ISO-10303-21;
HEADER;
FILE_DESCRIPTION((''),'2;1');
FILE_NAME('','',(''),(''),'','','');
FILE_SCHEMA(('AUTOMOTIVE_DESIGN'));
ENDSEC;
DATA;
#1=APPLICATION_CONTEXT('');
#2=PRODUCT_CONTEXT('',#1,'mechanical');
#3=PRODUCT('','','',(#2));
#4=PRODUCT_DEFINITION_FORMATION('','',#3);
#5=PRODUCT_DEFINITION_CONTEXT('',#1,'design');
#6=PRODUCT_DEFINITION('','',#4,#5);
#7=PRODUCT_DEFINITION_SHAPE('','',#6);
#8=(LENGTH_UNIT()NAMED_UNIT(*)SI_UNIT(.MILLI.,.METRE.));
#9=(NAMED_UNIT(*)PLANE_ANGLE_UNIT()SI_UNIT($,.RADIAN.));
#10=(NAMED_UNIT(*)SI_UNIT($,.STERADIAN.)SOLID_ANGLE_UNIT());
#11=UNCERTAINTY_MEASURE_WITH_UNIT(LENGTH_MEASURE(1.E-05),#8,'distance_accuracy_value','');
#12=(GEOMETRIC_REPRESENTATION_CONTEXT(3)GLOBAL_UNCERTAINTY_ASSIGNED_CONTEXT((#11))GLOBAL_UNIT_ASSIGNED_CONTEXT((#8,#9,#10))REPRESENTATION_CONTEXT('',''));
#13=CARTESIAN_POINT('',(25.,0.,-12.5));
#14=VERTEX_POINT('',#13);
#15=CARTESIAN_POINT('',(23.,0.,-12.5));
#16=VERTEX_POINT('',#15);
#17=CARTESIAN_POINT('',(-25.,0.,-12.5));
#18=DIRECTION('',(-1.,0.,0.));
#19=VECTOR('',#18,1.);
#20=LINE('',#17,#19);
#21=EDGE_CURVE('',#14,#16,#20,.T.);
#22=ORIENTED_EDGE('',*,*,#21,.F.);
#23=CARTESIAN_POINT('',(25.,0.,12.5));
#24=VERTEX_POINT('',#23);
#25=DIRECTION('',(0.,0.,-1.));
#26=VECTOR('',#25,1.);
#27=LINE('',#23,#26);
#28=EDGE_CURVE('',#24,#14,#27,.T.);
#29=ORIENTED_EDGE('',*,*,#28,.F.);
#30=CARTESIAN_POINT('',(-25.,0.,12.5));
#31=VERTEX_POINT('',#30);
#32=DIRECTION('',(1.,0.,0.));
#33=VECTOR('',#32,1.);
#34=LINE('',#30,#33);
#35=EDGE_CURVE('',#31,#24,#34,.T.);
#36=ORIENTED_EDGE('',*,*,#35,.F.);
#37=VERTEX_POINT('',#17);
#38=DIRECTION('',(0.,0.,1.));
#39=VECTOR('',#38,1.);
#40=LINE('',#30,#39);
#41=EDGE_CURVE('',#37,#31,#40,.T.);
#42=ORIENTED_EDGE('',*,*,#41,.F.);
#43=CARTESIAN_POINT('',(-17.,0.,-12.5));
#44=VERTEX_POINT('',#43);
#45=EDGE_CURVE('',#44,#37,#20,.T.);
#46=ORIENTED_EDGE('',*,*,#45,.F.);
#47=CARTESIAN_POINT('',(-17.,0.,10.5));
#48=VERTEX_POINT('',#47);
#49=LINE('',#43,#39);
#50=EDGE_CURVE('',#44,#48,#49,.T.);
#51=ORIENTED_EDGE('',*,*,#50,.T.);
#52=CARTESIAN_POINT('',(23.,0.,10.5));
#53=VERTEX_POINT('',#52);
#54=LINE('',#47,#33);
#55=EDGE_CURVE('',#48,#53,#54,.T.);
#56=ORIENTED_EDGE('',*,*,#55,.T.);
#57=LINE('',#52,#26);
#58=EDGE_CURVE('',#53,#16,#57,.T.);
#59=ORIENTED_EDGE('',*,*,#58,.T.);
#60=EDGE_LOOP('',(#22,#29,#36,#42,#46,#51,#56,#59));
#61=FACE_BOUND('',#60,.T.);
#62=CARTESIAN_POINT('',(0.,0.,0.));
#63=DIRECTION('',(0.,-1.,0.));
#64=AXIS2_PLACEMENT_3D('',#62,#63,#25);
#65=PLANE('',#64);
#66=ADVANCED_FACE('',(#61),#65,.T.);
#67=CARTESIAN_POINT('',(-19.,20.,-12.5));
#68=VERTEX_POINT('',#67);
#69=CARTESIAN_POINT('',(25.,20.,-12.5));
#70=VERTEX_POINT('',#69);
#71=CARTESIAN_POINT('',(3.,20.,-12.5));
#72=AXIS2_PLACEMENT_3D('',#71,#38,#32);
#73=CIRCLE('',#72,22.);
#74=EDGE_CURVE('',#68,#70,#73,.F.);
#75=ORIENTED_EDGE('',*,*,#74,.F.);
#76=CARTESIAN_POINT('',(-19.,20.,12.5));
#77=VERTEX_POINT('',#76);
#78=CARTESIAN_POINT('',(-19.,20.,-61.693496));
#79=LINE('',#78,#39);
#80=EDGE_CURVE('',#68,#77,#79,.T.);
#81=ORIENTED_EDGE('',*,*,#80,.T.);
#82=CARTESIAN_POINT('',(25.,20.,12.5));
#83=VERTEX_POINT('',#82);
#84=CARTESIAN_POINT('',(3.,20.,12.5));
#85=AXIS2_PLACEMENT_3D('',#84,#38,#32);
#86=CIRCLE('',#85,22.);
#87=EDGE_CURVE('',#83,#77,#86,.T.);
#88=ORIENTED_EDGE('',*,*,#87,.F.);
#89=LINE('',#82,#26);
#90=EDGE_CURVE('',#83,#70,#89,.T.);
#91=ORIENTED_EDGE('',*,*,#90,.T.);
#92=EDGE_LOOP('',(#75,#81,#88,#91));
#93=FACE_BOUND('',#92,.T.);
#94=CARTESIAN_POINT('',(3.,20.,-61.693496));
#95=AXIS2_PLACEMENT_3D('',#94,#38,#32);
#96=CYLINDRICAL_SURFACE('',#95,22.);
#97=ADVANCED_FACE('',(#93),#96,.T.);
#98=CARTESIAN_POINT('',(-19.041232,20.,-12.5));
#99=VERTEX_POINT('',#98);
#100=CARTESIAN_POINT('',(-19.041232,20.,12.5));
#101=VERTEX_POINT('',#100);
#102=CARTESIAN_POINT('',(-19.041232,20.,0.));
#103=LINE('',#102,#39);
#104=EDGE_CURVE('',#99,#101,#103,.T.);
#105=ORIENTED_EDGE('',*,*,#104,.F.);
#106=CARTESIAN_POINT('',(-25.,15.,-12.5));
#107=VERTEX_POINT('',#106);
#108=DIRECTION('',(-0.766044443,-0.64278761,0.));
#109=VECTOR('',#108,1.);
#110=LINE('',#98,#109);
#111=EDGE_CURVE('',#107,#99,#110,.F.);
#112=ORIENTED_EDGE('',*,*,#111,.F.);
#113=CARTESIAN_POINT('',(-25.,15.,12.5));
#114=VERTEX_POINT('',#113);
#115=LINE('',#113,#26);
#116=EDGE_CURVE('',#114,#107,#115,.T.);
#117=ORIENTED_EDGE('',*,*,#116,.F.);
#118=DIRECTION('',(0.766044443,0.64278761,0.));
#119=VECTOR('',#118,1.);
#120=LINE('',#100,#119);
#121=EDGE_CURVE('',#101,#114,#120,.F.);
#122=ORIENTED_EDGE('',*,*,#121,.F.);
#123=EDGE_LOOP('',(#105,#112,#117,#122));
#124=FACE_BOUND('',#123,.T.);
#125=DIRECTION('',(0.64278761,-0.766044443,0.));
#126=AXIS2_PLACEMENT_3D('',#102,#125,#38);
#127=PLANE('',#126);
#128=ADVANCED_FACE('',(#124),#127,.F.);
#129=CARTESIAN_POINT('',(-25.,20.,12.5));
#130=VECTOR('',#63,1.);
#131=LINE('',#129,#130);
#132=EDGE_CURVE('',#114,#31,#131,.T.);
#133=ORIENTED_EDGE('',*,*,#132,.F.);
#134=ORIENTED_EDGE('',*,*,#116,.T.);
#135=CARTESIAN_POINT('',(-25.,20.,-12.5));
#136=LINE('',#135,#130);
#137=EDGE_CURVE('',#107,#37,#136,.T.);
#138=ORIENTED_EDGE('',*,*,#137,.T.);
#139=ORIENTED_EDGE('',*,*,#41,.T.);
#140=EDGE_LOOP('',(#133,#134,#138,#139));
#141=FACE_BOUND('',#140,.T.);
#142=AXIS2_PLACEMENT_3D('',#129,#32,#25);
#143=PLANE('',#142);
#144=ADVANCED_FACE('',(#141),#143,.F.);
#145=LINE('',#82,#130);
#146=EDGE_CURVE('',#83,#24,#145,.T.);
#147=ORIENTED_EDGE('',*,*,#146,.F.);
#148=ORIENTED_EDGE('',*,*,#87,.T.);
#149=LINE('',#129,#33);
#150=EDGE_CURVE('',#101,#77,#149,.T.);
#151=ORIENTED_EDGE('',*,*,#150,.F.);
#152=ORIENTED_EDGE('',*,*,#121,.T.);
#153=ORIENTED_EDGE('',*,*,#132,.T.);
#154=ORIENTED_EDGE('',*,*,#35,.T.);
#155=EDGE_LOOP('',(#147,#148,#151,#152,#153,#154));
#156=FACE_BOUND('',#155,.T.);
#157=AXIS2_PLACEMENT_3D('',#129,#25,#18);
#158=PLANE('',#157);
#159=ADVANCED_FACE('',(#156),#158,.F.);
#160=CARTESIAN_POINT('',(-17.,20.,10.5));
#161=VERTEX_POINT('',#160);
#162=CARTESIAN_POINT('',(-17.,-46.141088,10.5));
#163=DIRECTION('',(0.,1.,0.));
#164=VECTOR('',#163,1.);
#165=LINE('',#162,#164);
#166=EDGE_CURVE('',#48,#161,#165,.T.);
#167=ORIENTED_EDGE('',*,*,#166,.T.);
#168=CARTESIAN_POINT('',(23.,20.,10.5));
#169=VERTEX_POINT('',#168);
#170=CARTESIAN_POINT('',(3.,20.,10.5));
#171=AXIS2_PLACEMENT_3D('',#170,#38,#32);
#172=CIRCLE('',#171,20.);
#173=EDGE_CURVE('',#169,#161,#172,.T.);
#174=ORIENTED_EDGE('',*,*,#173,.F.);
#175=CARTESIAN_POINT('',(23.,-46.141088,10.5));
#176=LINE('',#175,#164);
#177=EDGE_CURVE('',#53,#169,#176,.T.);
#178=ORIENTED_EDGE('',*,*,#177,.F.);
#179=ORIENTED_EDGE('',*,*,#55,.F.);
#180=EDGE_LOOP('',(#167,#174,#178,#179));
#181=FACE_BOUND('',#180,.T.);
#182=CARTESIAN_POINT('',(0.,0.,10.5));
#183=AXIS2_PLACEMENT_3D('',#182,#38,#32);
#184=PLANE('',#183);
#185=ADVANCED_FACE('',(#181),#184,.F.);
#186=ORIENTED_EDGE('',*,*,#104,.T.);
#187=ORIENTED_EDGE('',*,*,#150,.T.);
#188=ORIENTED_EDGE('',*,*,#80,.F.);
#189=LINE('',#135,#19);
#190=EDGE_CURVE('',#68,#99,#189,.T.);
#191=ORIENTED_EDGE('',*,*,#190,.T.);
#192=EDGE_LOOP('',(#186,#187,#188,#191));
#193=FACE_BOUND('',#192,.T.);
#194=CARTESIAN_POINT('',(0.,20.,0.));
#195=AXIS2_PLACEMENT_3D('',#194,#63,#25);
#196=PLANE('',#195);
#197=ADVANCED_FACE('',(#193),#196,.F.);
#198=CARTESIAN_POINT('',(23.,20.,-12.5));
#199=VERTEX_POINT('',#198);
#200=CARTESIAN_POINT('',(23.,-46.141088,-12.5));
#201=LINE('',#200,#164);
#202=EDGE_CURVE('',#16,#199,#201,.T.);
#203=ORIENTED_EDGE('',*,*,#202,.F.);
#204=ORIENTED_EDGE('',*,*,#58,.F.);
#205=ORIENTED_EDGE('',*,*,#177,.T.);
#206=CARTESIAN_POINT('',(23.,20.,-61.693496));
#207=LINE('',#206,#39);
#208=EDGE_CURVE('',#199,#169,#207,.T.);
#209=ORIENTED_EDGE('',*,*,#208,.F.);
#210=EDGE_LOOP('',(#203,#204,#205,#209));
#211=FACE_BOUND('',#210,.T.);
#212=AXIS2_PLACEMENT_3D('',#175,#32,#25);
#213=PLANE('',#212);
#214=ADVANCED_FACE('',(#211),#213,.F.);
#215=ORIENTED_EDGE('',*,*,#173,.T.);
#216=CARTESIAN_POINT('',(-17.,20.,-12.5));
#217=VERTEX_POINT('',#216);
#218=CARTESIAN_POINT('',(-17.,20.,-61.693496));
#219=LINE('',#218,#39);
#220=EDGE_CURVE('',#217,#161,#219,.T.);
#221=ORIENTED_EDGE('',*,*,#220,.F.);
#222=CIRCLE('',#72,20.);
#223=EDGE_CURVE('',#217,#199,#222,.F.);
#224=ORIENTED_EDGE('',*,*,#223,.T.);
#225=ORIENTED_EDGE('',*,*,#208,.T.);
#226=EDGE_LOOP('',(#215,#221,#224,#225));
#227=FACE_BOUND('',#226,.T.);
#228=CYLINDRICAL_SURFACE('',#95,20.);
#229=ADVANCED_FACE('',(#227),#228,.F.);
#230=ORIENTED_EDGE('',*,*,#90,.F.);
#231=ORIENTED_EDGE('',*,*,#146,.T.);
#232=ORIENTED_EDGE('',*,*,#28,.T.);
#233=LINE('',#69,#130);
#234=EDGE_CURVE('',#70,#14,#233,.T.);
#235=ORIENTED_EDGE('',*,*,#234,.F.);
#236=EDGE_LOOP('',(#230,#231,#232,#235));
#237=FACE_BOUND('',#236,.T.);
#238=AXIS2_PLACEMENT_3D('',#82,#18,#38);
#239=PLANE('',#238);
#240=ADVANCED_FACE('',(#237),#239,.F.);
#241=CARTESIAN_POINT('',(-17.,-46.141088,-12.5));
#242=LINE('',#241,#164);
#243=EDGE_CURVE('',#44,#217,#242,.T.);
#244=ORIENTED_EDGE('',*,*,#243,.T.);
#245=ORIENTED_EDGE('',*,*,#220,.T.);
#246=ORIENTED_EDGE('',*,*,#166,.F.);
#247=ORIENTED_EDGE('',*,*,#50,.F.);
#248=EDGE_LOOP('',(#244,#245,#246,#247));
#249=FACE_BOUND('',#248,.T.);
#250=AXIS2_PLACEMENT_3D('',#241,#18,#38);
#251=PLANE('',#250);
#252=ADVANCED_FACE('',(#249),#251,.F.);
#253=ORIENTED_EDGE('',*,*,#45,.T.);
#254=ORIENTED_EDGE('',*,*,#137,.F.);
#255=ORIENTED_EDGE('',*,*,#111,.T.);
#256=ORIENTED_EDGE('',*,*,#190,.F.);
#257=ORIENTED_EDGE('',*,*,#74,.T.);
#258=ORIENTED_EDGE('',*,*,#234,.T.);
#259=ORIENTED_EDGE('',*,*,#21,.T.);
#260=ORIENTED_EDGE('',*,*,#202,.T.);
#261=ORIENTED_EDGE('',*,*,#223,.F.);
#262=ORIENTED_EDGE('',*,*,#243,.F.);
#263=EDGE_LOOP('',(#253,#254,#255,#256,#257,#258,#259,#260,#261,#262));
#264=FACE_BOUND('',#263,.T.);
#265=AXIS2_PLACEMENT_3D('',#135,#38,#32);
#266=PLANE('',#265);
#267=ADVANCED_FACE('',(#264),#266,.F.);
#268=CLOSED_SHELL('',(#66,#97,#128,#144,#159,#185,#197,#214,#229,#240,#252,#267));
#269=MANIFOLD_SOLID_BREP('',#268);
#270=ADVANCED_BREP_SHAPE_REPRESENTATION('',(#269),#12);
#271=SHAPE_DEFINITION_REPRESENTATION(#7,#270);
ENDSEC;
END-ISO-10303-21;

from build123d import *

# Parameters (mm, degrees)
CROQUIS1_W              = 50
CROQUIS1_H              = 25
SALIENTE_EXTRUIR1_DEPTH = 20
SALIENTE_EXTRUIR2_DEPTH = 25
SALIENTE_EXTRUIR3_DEPTH = 2
CROQUIS3_W              = 40
CROQUIS3_H              = 23
CORTAR_EXTRUIR1_DEPTH   = 20
CHAFL_N1_SIZE           = 5
CHAFL_N1_SIZE2          = 5.958767963


with BuildPart() as part:
    # Croquis1 → Saliente-Extruir1 (new body)
    with BuildSketch(Plane(origin=(0, 0, 0), x_dir=(1, 0, 0), z_dir=(0, 1, 0))):
        Rectangle(CROQUIS1_W, CROQUIS1_H)
    extrude(amount=SALIENTE_EXTRUIR1_DEPTH)

    # Croquis2 → Saliente-Extruir2 (add)
    with BuildSketch(Plane.XY.offset(12.5)):
        with BuildLine():
            ThreePointArc((25, 20), (3, 42), (-19, 20))
            Line((-19, 20), (-17, 20))
            ThreePointArc((-17, 20), (3, 40), (23, 20))
            Line((23, 20), (25, 20))
        make_face()
    extrude(amount=-SALIENTE_EXTRUIR2_DEPTH)

    # Croquis2<6> → Saliente-Extruir3 (add)
    with BuildSketch(Plane.XY.offset(12.5)):
        with BuildLine():
            ThreePointArc((23, 20), (3, 40), (-17, 20))
            Line((-17, 20), (23, 20))
        make_face()
    extrude(amount=-SALIENTE_EXTRUIR3_DEPTH)

    # Croquis3 → Cortar-Extruir1 (cut)
    with BuildSketch(Plane(origin=(0, 20, 0), x_dir=(1, 0, 0), z_dir=(0, 1, 0))):
        with Locations((3, 1)):
            Rectangle(CROQUIS3_W, CROQUIS3_H)
    extrude(amount=-CORTAR_EXTRUIR1_DEPTH, mode=Mode.SUBTRACT)

    # Chaflán1
    chafl_n1_edges = [part.edges().sort_by_distance(p)[0] for p in [
        (-25, 20, 0),
    ]]
    chafl_n1_side = [part.faces().sort_by_distance(p)[0] for p in [
        (-25, 10, 0),
    ]]
    chamfer(chafl_n1_edges, length=CHAFL_N1_SIZE, length2=CHAFL_N1_SIZE2, reference=chafl_n1_side[0])


solid = part.part
